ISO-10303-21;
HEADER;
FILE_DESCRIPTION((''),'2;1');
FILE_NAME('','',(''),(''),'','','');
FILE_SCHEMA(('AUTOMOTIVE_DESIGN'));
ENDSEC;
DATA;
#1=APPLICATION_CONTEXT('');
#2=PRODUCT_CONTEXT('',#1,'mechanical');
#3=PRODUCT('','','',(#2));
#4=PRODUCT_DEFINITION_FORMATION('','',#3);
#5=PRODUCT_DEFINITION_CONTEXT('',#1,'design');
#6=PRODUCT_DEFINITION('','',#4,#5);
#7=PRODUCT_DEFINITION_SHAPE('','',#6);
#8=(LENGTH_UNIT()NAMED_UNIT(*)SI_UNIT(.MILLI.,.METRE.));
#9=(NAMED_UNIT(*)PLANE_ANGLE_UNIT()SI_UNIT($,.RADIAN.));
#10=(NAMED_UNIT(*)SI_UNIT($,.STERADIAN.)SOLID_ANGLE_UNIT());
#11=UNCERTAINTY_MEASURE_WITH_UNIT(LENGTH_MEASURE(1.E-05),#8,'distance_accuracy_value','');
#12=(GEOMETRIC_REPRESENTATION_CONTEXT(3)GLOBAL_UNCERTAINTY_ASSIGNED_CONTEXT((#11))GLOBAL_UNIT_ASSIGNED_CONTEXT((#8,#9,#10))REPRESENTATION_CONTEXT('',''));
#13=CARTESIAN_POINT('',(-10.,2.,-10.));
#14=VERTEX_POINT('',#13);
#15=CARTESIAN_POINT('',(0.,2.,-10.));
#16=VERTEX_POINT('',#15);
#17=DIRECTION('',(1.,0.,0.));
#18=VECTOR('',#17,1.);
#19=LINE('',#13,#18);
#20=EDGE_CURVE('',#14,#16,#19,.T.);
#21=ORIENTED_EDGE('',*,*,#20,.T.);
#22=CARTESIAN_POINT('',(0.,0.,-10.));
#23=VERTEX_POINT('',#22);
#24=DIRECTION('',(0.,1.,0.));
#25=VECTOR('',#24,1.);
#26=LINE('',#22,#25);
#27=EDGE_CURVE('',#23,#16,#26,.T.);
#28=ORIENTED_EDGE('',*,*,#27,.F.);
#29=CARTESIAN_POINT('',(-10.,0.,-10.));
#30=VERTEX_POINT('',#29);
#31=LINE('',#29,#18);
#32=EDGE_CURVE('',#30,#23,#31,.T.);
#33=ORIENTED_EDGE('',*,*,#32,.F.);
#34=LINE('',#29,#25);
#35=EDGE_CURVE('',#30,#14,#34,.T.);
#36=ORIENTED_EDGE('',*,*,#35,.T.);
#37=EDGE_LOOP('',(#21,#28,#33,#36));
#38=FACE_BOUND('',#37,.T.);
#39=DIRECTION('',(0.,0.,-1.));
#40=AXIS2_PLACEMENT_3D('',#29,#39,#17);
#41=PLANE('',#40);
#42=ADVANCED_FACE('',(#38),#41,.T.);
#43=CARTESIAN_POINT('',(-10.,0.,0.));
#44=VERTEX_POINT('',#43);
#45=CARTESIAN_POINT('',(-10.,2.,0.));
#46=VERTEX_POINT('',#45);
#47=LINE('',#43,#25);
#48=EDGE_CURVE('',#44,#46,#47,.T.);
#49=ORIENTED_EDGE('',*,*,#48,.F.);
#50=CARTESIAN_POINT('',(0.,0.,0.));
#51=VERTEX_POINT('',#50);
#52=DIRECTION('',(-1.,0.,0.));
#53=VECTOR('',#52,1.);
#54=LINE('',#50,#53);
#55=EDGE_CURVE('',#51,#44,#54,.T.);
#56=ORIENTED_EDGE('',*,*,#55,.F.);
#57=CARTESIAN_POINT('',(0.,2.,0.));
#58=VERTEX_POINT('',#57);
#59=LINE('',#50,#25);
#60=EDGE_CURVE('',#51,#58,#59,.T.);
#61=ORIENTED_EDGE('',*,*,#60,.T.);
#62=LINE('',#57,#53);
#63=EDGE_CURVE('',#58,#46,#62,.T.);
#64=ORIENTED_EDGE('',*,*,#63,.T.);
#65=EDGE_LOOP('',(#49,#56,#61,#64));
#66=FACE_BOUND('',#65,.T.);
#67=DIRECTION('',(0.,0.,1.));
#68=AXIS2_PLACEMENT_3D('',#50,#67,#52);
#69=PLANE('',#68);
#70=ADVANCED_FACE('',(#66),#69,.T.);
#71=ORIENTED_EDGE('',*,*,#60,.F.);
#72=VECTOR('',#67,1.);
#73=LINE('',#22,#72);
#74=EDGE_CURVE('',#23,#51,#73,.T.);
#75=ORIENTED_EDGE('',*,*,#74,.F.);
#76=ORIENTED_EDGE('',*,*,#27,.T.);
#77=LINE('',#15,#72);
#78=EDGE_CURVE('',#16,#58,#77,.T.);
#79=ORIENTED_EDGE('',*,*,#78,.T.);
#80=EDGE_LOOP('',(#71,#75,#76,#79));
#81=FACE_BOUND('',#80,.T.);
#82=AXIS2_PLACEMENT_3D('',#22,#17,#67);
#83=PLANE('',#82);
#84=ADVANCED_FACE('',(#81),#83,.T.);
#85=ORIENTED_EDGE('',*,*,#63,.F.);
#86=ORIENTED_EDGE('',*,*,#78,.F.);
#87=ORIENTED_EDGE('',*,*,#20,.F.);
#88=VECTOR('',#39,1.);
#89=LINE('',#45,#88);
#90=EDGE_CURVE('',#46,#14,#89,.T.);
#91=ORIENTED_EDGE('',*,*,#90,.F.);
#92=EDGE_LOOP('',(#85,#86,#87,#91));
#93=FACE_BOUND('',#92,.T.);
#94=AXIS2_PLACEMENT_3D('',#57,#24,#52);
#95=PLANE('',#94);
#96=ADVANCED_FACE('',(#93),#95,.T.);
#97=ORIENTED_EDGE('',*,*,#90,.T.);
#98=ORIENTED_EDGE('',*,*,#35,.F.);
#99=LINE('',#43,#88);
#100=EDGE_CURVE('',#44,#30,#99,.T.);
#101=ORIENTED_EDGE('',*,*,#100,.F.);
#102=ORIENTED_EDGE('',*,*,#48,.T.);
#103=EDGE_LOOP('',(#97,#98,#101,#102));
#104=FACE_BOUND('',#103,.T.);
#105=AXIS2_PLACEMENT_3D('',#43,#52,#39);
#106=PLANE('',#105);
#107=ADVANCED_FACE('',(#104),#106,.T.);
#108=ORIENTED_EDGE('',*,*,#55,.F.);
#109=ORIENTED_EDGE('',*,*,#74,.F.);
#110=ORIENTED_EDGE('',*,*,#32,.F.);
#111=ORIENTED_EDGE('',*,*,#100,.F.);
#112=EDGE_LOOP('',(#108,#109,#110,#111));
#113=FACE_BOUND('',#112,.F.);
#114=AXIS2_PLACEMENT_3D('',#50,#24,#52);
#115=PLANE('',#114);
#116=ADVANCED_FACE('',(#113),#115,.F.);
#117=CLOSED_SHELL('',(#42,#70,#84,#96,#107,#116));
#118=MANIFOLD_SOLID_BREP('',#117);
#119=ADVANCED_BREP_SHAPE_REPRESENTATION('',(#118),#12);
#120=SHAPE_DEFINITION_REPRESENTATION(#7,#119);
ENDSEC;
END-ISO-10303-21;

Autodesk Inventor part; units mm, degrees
ref_plane "YZ Plane" through (0, 0, 0) normal (1, 0, 0) x (0, 1, 0)
ref_plane "XZ Plane" through (0, 0, 0) normal (0, 1, 0) x (-1, 0, 0)
ref_plane "XY Plane" through (0, 0, 0) normal (0, 0, 1) x (1, 0, 0)
sketch "Sketch1" plane through (0, 0, 0) normal (0, 1, 0) x (-1, 0, 0)
  line L0 (0, 0) -> (10, 0)
  line L1 (10, 0) -> (10, -10)
  line L2 (10, -10) -> (0, -10)
  line L3 (0, -10) -> (0, 0)
  dimension "d0" = 10
  dimension "d1" = 10
extrude "Extrusion1" add sketch "Sketch1" along normal blind 2
properties part number "MouldSeparator"
